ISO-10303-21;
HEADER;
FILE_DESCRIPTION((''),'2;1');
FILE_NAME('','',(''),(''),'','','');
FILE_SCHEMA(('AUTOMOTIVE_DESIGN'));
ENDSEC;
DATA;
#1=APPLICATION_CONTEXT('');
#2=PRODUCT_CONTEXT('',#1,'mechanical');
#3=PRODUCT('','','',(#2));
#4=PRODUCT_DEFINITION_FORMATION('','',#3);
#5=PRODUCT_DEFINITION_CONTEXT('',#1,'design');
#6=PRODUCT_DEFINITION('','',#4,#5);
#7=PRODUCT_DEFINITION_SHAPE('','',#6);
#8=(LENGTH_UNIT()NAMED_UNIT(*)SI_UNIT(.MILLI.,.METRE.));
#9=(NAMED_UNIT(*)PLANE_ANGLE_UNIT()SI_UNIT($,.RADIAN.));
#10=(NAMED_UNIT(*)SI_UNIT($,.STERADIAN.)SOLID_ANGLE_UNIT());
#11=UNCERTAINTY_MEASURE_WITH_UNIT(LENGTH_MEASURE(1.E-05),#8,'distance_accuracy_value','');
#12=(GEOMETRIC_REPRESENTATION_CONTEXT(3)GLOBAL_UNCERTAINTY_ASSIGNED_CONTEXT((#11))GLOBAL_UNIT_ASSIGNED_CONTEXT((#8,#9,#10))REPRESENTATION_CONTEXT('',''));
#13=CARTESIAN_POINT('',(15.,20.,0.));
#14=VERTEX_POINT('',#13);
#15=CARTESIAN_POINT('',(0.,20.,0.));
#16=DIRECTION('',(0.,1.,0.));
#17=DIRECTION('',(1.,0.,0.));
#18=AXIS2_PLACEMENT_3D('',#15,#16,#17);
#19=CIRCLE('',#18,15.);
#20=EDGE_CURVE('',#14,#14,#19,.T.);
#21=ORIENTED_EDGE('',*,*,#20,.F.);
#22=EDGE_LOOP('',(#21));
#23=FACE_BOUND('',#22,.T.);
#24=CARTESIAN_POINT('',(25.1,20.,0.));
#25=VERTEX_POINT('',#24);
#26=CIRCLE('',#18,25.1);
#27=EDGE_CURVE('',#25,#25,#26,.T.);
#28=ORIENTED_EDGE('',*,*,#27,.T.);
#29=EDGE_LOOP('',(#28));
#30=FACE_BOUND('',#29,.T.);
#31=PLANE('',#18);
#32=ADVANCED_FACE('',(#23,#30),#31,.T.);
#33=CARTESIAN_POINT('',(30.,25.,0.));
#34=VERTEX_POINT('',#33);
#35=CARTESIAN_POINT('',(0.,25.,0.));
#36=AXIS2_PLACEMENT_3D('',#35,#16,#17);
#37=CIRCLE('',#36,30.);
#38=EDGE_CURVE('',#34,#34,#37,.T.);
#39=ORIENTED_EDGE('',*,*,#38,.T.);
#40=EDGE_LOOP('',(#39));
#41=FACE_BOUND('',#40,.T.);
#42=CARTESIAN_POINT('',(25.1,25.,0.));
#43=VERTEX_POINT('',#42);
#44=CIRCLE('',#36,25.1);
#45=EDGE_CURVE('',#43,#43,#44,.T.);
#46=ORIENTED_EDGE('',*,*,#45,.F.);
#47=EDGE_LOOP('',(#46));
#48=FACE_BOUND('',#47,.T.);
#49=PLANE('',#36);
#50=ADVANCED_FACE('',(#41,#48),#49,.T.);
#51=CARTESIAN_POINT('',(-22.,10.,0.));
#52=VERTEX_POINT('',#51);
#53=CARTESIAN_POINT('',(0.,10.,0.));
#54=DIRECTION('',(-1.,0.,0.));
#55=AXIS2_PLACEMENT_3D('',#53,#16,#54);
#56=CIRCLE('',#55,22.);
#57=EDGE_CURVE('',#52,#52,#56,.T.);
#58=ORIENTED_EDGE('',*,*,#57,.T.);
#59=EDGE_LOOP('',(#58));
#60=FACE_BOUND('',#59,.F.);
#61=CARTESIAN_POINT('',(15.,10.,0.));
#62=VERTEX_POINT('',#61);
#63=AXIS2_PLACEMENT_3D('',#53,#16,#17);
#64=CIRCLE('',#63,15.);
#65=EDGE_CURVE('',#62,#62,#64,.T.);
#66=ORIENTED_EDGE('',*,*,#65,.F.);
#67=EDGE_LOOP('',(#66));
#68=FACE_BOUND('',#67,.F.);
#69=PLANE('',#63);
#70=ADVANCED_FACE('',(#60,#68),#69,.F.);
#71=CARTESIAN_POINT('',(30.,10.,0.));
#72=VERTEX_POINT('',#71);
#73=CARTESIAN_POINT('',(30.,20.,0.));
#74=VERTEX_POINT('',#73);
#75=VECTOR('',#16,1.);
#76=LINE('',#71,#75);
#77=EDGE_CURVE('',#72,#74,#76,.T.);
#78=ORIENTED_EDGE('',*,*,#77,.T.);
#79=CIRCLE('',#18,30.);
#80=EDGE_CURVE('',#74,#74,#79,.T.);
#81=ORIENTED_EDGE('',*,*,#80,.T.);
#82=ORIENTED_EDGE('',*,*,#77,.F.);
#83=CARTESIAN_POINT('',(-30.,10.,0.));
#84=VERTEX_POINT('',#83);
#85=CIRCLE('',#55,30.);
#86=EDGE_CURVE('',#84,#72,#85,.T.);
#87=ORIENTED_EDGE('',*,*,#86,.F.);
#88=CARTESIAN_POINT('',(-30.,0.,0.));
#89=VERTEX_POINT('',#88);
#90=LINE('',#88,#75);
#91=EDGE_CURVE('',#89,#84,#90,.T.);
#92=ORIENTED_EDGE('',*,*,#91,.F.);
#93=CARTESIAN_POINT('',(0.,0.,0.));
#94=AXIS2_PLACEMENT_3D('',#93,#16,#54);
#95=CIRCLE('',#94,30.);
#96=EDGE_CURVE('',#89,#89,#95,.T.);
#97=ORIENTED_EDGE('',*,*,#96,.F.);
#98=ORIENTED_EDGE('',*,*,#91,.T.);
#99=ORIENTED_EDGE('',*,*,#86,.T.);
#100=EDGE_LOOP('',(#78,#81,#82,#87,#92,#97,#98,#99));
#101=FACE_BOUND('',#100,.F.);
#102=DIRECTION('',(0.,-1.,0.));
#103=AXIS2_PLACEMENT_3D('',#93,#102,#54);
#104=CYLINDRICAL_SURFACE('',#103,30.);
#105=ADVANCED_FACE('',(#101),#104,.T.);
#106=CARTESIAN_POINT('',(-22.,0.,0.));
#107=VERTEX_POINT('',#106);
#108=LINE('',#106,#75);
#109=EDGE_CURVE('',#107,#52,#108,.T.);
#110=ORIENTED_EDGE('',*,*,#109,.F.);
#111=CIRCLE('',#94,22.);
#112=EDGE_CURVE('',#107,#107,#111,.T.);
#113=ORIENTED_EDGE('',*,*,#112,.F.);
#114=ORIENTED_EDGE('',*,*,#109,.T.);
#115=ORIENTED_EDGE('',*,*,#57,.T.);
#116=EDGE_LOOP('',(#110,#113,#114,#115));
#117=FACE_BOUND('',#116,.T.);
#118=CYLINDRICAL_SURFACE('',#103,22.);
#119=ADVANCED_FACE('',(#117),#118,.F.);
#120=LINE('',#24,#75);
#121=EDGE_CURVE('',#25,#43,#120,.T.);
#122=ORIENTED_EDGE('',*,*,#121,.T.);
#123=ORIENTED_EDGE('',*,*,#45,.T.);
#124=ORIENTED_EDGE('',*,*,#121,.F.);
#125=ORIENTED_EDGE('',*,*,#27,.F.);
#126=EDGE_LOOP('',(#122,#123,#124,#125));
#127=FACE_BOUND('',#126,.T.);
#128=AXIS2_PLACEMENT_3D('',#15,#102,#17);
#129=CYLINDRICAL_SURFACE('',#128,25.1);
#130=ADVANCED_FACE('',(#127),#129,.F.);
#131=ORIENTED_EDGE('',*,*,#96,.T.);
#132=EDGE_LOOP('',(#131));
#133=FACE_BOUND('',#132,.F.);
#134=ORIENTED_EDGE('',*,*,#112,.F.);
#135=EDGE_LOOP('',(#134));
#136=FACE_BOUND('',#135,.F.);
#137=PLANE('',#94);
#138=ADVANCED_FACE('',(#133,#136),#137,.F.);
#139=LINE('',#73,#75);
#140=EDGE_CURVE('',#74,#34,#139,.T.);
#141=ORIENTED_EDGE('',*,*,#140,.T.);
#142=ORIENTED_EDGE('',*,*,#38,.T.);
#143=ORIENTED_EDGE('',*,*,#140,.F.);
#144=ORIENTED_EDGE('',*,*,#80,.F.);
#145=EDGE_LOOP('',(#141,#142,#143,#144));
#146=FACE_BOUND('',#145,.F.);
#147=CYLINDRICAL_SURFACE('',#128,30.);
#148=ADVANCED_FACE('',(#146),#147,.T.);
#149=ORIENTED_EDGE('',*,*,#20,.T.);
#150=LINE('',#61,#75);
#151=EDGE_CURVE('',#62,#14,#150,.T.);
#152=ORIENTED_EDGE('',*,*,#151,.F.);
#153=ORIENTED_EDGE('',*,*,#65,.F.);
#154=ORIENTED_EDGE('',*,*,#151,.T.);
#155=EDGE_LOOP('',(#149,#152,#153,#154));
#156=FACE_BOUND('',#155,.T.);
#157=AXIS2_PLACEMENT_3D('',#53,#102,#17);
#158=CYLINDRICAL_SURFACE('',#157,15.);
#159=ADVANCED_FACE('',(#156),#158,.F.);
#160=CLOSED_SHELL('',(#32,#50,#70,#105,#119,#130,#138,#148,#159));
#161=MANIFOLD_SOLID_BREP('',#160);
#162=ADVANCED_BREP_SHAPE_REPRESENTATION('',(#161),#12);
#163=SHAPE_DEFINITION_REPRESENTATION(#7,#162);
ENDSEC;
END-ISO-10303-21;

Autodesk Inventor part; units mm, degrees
ref_plane "YZ Plane" through (0, 0, 0) normal (1, 0, 0) x (0, 1, 0)
ref_plane "XZ Plane" through (0, 0, 0) normal (0, 1, 0) x (-1, 0, 0)
ref_plane "XY Plane" through (0, 0, 0) normal (0, 0, 1) x (1, 0, 0)
sketch "Sketch2" plane through (0, 0, 0) normal (0, 1, 0) x (-1, 0, 0)
  circle A0 centre (0, 0) radius 22
  circle A1 centre (0, 0) radius 30
  dimension "d0" = 44
  dimension "d1" = 60
extrude "Extrusion1" add sketch "Sketch2" along normal blind 10
sketch "Sketch3" plane through (0, 10, 0) normal (0, 1, 0) x (1, 0, 0)
  circle A0 centre (0, 0) radius 30 projected
  circle A1 centre (0, 0) radius 15
  dimension "d4" = 30
extrude "Extrusion2" add sketch "Sketch3" along normal blind 10
sketch "Sketch4" plane through (0, 20, 0) normal (0, 1, 0) x (1, 0, 0)
  circle A0 centre (0, 0) radius 25.1
  circle A1 centre (0, 0) radius 30
  dimension "d7" = 60
  dimension "d8" = 50.2
extrude "Extrusion3" add sketch "Sketch4" along normal blind 5
properties part number "smallbearingcup" material "Steel"
